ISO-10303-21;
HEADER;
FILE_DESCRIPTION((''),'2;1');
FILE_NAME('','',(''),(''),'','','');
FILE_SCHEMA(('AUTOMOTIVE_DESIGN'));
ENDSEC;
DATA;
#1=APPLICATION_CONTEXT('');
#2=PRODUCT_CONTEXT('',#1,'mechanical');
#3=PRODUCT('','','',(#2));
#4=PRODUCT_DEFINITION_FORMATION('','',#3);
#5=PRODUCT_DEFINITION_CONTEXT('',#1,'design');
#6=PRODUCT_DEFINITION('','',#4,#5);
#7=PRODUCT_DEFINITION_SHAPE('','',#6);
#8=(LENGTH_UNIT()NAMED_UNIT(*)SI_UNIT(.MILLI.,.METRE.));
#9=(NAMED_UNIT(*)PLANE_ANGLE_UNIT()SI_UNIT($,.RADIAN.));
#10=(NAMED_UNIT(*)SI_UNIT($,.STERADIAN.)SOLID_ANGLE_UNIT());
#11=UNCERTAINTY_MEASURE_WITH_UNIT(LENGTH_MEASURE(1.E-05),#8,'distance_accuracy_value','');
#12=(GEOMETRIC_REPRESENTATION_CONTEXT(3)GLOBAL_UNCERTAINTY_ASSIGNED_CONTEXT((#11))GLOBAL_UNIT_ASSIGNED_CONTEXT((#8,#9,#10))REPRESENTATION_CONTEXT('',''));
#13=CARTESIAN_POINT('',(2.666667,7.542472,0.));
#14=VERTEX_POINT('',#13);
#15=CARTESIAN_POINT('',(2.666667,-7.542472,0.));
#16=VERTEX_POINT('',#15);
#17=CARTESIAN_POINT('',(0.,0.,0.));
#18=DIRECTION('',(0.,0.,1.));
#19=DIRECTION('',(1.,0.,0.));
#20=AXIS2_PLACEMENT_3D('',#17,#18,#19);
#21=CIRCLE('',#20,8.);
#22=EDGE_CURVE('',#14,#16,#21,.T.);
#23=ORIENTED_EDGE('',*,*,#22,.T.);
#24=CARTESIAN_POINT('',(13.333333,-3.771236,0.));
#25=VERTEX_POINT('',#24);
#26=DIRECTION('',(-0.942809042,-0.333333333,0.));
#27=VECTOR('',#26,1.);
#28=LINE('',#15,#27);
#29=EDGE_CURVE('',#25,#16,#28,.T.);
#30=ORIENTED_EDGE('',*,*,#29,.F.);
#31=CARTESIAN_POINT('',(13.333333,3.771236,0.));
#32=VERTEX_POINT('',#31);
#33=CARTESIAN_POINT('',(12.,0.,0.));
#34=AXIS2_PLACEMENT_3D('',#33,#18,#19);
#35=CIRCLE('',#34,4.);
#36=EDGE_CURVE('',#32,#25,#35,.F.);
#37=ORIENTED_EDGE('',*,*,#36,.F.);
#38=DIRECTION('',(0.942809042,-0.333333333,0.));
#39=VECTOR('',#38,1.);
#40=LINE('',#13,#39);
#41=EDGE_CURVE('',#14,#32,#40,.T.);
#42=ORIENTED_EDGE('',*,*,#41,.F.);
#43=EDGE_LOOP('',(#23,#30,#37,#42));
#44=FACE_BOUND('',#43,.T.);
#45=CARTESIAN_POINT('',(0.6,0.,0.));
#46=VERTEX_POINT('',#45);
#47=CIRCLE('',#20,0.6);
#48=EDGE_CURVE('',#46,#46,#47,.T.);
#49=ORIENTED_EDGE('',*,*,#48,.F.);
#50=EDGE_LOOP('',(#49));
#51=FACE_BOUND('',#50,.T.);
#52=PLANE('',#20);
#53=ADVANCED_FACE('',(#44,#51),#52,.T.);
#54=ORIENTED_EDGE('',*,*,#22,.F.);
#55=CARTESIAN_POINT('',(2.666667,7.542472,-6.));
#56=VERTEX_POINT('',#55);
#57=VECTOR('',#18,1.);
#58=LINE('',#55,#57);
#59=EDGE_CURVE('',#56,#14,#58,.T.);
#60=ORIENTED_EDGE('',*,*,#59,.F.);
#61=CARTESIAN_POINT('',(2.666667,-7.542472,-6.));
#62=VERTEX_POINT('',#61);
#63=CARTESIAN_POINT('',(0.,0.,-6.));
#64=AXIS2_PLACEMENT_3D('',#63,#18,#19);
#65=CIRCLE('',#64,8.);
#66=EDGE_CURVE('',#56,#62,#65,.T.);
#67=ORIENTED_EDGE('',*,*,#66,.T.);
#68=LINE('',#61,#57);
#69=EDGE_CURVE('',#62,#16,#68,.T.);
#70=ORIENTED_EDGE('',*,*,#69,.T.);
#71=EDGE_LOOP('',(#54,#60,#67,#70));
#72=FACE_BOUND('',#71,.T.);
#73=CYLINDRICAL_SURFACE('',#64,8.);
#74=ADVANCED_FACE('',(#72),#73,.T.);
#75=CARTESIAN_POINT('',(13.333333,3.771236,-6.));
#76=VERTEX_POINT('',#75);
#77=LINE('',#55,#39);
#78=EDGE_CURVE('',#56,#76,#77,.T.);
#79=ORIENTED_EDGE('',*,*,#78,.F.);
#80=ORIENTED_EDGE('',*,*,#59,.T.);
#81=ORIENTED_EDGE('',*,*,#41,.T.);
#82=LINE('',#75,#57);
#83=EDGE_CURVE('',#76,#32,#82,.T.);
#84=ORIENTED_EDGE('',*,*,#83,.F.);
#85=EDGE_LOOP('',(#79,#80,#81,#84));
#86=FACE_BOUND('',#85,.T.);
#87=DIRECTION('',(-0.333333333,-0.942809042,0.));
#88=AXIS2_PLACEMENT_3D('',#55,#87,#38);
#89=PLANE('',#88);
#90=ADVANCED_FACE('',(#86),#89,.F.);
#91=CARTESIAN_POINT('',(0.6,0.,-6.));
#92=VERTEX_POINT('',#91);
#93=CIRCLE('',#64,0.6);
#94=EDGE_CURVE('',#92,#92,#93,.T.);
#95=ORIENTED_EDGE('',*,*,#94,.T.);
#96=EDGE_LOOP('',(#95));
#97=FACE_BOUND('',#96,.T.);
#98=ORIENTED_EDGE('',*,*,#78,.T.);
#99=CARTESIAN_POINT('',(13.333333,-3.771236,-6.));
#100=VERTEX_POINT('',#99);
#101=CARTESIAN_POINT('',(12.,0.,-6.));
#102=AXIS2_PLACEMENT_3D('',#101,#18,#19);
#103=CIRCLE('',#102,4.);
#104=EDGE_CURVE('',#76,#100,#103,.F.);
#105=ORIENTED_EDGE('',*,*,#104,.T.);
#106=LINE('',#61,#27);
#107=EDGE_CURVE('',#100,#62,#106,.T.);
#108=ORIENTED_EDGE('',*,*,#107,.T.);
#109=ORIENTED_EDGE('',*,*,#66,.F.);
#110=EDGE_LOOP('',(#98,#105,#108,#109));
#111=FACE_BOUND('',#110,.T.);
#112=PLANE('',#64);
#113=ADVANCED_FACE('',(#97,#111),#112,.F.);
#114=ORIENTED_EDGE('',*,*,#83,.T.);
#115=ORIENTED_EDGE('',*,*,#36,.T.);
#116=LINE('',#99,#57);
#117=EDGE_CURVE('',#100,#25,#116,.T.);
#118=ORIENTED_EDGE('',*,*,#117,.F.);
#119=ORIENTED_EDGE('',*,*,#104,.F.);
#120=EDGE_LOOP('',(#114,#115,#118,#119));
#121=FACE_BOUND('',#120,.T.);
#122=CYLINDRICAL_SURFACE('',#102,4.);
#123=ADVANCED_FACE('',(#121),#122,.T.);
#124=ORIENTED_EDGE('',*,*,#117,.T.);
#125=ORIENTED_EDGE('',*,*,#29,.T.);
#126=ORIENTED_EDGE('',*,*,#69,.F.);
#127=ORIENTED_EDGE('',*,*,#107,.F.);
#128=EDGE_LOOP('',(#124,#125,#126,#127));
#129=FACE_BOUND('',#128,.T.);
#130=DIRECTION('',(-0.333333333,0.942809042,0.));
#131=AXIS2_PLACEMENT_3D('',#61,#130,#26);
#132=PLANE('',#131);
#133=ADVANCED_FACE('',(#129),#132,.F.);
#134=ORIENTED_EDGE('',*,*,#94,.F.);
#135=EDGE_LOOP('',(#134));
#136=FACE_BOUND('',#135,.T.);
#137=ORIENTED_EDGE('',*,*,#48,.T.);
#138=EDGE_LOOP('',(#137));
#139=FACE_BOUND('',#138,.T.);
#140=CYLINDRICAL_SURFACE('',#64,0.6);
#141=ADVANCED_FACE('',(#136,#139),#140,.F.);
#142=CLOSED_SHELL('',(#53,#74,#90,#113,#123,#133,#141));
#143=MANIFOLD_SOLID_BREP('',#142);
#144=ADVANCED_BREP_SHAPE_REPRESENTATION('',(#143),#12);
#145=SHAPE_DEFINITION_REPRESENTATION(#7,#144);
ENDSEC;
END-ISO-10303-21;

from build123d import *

# Parameters (mm, degrees)
SKETCH1_R           = 0.6
BOSS_EXTRUDE1_DEPTH = 6


with BuildPart() as part:
    # Sketch1 → Boss-Extrude1 (new body)
    with BuildSketch(Plane.XY):
        with BuildLine():
            Line((2.666666667, 7.542472333), (13.333333333, 3.771236166))
            ThreePointArc((13.333333333, 3.771236166), (16, 0), (13.333333333, -3.771236166))
            Line((13.333333333, -3.771236166), (2.666666667, -7.542472333))
            ThreePointArc((2.666666667, -7.542472333), (-8, 0), (2.666666667, 7.542472333))
        make_face()
        Circle(SKETCH1_R, mode=Mode.SUBTRACT)
    extrude(amount=-BOSS_EXTRUDE1_DEPTH)


solid = part.part
